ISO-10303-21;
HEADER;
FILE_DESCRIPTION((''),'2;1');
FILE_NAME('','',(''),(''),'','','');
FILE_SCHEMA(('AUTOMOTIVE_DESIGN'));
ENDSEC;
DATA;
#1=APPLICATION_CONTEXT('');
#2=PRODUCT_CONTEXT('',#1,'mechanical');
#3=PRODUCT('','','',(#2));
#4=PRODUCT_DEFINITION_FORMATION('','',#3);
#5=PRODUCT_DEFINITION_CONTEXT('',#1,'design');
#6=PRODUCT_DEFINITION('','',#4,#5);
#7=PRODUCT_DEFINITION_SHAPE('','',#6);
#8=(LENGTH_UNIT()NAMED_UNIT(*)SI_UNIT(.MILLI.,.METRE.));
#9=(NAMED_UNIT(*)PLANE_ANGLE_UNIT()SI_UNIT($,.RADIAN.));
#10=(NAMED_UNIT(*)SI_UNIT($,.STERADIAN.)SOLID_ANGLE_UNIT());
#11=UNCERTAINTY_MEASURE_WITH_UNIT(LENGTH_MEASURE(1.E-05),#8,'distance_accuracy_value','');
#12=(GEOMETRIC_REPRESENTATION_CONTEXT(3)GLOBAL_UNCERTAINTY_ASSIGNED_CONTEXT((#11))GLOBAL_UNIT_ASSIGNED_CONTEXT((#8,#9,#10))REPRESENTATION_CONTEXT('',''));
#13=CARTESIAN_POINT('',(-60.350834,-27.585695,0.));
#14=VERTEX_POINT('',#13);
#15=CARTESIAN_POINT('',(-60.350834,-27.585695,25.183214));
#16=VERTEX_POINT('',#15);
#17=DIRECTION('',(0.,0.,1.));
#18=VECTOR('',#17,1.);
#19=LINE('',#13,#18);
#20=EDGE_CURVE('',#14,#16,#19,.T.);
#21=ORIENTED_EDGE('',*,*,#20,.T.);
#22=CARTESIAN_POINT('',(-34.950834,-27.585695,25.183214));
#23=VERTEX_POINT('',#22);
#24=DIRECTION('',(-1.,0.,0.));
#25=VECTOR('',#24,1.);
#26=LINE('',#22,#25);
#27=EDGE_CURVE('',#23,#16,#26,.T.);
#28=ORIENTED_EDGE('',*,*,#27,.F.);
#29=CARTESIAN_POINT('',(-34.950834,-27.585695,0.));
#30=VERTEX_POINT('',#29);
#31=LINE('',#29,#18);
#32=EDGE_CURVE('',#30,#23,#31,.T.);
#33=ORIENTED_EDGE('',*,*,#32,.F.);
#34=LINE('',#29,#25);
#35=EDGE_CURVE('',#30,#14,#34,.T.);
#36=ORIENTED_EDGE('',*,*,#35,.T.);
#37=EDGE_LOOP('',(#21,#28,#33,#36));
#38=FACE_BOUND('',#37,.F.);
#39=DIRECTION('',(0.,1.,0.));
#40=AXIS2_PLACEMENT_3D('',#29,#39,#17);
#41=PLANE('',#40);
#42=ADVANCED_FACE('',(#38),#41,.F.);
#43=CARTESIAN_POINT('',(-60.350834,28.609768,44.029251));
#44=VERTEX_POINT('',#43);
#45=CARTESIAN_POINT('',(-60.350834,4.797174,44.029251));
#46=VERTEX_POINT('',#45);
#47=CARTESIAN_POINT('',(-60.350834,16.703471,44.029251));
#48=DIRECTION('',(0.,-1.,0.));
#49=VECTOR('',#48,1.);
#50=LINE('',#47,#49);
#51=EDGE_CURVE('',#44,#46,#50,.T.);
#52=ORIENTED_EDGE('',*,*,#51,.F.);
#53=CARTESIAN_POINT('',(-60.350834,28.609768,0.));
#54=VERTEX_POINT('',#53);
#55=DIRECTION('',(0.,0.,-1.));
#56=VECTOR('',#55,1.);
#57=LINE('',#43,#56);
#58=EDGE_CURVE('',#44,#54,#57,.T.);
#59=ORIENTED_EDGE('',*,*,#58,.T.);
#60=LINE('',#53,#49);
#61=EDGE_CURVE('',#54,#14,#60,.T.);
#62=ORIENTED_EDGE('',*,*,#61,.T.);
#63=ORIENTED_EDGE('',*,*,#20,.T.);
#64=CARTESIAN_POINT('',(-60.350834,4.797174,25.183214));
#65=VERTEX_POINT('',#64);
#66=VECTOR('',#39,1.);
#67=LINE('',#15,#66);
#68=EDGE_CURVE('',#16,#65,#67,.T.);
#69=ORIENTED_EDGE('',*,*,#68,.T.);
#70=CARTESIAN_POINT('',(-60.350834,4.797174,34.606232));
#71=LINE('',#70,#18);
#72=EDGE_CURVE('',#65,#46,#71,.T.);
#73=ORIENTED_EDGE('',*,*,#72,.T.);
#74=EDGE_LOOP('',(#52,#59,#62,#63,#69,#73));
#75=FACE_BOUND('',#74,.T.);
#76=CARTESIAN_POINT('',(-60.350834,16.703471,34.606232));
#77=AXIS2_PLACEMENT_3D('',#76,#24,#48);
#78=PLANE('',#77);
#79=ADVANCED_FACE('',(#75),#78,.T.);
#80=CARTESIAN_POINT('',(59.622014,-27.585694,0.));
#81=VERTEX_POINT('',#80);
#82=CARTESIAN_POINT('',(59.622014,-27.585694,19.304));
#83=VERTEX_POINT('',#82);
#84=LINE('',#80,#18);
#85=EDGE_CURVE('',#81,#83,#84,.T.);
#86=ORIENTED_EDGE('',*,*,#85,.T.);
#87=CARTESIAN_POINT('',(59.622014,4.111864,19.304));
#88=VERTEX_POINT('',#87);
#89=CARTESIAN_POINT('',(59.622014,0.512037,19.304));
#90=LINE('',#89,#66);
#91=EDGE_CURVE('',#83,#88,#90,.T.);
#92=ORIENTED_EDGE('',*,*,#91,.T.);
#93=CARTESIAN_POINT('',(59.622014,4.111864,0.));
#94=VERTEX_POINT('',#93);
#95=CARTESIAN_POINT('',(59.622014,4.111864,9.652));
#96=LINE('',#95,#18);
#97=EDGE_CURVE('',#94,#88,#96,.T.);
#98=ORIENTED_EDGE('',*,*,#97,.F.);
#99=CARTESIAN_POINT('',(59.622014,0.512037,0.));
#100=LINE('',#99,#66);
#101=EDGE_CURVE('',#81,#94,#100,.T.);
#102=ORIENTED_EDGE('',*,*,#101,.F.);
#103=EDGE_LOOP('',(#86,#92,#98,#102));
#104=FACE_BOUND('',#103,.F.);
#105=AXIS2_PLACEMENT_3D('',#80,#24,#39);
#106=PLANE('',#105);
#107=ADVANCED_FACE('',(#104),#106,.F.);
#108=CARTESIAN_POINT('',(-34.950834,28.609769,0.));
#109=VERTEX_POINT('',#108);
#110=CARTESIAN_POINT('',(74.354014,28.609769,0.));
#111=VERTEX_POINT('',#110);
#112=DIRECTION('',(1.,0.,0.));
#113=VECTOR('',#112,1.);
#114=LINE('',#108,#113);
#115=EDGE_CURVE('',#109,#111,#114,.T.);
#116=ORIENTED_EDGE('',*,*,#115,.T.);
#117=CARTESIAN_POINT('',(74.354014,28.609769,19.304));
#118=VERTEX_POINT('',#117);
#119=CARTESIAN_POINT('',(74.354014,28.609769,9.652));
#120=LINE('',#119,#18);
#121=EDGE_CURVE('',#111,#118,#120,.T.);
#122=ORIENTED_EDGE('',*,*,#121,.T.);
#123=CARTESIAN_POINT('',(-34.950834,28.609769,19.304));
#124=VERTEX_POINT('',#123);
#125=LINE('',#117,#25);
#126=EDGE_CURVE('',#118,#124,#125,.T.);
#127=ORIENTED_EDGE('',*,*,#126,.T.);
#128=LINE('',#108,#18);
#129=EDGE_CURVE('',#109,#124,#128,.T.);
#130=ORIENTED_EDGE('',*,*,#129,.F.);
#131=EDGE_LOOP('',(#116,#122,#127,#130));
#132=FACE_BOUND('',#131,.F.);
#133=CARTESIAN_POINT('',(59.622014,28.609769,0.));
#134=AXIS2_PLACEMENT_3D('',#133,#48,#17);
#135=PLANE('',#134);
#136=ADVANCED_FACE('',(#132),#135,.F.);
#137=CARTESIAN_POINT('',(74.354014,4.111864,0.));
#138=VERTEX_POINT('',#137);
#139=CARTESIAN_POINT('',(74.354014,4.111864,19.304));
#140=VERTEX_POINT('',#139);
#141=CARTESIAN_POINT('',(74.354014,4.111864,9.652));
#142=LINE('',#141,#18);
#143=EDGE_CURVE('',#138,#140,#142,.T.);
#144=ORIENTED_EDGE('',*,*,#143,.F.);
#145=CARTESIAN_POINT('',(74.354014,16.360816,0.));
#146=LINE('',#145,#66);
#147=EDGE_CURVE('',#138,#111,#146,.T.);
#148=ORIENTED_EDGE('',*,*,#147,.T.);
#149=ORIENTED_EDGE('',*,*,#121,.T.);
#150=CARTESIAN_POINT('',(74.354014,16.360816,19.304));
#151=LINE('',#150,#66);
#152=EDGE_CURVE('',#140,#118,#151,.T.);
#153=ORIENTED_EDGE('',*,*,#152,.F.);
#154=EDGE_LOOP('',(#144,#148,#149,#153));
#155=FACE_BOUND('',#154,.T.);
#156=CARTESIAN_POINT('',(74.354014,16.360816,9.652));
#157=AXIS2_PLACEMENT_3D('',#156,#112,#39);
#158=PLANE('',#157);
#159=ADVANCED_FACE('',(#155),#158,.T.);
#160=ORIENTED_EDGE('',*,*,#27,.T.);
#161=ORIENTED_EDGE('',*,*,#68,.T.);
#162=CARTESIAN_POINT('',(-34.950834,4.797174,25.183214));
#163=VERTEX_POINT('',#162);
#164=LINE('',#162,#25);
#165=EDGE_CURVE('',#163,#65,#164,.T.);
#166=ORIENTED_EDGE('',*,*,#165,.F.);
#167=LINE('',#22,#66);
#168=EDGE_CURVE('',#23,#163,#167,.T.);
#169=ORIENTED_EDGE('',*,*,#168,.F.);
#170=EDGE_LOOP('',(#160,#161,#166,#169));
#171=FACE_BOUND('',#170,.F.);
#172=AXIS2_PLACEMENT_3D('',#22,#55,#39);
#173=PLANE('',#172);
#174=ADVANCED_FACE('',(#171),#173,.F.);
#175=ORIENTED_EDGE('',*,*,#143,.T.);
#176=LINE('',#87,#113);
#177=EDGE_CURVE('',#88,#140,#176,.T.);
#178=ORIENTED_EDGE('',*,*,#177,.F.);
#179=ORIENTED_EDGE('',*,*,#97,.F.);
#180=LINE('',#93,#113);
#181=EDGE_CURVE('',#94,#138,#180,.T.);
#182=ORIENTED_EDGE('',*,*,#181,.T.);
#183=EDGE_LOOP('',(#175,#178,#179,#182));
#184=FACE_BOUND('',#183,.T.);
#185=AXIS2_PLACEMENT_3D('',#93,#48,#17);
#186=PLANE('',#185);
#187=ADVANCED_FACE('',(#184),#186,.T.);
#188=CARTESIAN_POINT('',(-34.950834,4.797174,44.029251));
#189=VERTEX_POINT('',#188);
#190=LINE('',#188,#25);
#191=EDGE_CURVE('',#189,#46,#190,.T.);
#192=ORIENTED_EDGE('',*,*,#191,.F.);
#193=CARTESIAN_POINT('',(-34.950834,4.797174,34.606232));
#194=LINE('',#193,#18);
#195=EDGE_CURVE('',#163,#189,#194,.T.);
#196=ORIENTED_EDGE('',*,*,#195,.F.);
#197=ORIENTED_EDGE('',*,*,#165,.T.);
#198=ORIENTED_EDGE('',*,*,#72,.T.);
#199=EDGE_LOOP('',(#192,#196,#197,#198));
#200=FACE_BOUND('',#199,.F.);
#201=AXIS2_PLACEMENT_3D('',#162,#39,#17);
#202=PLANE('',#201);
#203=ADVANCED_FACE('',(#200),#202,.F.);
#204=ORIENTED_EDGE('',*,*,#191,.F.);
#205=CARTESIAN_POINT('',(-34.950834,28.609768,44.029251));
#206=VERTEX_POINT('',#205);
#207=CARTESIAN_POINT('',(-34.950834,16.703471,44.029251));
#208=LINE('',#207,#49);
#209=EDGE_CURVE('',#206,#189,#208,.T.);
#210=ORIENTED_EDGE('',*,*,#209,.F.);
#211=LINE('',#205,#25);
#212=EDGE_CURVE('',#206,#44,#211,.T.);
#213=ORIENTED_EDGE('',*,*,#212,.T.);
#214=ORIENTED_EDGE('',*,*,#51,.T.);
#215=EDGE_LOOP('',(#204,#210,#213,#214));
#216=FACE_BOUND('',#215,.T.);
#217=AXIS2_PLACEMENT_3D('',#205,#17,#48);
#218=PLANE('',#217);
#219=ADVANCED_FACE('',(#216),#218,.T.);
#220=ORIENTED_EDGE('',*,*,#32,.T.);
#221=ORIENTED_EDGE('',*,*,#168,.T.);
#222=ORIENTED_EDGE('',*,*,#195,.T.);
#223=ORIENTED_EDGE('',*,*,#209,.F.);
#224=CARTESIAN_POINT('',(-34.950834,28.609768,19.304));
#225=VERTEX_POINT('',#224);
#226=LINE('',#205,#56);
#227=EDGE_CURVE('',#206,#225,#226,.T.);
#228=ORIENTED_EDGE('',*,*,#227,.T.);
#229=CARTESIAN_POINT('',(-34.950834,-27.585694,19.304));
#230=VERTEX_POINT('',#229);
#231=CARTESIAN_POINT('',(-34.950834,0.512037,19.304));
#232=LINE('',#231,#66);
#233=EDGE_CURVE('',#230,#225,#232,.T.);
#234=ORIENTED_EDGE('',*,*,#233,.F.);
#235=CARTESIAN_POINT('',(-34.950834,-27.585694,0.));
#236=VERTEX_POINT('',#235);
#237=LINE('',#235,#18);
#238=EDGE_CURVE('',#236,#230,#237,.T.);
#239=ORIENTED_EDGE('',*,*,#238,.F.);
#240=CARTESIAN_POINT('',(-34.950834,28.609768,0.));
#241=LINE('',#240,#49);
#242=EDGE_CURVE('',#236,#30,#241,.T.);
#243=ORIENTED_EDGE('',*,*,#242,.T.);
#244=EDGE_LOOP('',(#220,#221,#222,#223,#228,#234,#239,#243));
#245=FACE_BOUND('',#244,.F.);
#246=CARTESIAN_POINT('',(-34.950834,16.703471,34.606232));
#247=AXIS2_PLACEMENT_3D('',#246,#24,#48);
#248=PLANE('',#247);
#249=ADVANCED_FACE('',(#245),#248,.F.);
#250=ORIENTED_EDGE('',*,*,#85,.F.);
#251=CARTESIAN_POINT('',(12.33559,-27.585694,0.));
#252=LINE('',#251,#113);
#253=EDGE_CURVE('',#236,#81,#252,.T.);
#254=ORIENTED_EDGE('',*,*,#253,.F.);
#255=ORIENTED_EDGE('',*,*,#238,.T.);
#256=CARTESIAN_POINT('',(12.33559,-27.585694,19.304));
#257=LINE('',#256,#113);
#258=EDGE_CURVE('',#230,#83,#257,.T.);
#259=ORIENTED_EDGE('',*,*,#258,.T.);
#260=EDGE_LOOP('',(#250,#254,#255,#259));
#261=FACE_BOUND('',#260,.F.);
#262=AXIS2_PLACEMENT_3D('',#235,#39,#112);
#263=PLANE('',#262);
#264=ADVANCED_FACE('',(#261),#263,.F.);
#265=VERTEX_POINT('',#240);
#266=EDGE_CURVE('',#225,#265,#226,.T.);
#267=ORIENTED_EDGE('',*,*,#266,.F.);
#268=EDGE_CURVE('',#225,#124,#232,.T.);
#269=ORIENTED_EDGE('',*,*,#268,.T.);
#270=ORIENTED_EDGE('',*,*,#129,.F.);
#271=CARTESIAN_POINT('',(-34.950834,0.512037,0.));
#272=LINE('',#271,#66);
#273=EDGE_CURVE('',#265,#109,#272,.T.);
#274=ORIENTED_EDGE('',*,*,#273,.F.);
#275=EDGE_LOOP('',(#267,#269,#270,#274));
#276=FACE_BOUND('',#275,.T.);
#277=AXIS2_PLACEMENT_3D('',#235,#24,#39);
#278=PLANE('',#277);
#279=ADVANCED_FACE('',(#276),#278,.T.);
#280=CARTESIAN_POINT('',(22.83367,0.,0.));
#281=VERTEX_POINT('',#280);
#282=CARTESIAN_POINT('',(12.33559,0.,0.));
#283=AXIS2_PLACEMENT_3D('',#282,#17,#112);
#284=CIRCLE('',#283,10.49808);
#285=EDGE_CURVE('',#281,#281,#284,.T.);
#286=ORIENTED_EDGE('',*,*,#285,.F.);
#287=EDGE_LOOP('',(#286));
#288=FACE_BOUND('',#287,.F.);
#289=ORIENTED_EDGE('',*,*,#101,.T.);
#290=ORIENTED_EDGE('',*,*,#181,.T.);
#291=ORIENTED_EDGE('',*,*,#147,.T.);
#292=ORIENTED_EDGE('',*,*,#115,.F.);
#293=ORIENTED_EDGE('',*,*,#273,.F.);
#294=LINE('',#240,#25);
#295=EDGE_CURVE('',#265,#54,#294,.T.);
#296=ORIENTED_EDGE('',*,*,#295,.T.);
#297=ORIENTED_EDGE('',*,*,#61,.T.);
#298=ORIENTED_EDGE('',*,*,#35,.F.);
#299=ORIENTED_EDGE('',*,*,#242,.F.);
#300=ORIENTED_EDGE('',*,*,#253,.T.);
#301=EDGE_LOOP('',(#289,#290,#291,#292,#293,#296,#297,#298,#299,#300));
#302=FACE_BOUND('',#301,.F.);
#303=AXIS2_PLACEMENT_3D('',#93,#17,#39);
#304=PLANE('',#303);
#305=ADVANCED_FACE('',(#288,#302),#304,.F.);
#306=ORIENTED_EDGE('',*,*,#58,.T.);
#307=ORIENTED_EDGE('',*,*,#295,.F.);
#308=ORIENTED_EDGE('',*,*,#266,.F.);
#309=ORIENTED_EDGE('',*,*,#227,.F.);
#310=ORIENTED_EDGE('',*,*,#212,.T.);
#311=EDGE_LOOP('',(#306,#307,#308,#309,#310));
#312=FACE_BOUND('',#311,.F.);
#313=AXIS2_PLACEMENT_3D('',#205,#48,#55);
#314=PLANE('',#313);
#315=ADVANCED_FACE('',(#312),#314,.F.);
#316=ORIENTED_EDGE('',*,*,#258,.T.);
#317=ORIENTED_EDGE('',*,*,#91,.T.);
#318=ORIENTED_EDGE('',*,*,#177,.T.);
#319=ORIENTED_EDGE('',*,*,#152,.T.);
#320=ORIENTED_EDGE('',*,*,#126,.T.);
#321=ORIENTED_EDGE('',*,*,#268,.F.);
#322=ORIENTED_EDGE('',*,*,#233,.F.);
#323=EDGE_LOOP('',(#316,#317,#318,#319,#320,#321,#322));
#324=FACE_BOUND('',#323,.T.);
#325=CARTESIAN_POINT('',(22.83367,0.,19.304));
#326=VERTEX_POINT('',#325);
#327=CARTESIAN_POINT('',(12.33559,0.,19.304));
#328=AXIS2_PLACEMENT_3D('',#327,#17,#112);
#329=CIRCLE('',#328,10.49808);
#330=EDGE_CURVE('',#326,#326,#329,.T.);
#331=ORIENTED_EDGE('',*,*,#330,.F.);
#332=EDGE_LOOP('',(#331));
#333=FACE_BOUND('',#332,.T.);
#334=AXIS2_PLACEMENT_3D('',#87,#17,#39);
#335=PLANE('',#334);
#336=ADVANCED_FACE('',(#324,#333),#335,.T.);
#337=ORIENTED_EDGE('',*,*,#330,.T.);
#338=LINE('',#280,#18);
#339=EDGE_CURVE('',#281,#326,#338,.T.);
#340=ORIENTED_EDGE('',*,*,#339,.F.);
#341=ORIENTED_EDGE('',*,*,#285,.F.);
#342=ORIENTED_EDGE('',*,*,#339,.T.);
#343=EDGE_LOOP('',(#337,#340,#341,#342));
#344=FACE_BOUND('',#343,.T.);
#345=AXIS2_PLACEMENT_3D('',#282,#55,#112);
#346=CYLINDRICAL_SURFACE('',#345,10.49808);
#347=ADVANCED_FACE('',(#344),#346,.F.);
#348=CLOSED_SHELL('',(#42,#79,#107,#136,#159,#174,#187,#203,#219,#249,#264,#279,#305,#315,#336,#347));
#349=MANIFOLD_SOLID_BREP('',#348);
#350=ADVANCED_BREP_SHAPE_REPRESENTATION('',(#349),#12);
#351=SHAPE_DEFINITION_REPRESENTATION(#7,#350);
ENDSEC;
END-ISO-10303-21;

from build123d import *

# Parameters (mm, degrees)
F0_W     = 94.572848
F0_H     = 56.195463
F0_R     = 10.49808
F1_DEPTH = 19.304
F2_W     = 23.812594
F2_H     = 18.846037
F3_DEPTH = 25.4
F4_W     = 24.497905
F4_H     = 19.304
F5_DEPTH = 14.732


with BuildPart() as f1:
    # F0 (on Top) → F1 (new body)
    with BuildSketch(Plane.XY):
        with Locations((12.33559, 0.512037)):
            Rectangle(F0_W, F0_H)
        with Locations((12.33559, 0)):
            Circle(F0_R, mode=Mode.SUBTRACT)
    extrude(amount=F1_DEPTH)

    # F2 (on face) → F3 (join)
    with BuildSketch(Plane(origin=(-34.950834, 0, 0), x_dir=(0, -1, 0), z_dir=(-1, 0, 0))):
        with Locations((-16.703471, 34.606232)):
            Rectangle(F2_W, F2_H)
        Polygon((-4.797174, 25.183214), (-28.609768, 25.183214), (-28.609768, 0), (27.585695, 0), (27.585695, 25.183214), align=None)
    extrude(amount=F3_DEPTH)

    # F4 (on face) → F5 (join)
    with BuildSketch(Plane.YZ.offset(59.622014)):
        with Locations((16.360816, 9.652)):
            Rectangle(F4_W, F4_H)
    extrude(amount=F5_DEPTH)


solid = f1.part
